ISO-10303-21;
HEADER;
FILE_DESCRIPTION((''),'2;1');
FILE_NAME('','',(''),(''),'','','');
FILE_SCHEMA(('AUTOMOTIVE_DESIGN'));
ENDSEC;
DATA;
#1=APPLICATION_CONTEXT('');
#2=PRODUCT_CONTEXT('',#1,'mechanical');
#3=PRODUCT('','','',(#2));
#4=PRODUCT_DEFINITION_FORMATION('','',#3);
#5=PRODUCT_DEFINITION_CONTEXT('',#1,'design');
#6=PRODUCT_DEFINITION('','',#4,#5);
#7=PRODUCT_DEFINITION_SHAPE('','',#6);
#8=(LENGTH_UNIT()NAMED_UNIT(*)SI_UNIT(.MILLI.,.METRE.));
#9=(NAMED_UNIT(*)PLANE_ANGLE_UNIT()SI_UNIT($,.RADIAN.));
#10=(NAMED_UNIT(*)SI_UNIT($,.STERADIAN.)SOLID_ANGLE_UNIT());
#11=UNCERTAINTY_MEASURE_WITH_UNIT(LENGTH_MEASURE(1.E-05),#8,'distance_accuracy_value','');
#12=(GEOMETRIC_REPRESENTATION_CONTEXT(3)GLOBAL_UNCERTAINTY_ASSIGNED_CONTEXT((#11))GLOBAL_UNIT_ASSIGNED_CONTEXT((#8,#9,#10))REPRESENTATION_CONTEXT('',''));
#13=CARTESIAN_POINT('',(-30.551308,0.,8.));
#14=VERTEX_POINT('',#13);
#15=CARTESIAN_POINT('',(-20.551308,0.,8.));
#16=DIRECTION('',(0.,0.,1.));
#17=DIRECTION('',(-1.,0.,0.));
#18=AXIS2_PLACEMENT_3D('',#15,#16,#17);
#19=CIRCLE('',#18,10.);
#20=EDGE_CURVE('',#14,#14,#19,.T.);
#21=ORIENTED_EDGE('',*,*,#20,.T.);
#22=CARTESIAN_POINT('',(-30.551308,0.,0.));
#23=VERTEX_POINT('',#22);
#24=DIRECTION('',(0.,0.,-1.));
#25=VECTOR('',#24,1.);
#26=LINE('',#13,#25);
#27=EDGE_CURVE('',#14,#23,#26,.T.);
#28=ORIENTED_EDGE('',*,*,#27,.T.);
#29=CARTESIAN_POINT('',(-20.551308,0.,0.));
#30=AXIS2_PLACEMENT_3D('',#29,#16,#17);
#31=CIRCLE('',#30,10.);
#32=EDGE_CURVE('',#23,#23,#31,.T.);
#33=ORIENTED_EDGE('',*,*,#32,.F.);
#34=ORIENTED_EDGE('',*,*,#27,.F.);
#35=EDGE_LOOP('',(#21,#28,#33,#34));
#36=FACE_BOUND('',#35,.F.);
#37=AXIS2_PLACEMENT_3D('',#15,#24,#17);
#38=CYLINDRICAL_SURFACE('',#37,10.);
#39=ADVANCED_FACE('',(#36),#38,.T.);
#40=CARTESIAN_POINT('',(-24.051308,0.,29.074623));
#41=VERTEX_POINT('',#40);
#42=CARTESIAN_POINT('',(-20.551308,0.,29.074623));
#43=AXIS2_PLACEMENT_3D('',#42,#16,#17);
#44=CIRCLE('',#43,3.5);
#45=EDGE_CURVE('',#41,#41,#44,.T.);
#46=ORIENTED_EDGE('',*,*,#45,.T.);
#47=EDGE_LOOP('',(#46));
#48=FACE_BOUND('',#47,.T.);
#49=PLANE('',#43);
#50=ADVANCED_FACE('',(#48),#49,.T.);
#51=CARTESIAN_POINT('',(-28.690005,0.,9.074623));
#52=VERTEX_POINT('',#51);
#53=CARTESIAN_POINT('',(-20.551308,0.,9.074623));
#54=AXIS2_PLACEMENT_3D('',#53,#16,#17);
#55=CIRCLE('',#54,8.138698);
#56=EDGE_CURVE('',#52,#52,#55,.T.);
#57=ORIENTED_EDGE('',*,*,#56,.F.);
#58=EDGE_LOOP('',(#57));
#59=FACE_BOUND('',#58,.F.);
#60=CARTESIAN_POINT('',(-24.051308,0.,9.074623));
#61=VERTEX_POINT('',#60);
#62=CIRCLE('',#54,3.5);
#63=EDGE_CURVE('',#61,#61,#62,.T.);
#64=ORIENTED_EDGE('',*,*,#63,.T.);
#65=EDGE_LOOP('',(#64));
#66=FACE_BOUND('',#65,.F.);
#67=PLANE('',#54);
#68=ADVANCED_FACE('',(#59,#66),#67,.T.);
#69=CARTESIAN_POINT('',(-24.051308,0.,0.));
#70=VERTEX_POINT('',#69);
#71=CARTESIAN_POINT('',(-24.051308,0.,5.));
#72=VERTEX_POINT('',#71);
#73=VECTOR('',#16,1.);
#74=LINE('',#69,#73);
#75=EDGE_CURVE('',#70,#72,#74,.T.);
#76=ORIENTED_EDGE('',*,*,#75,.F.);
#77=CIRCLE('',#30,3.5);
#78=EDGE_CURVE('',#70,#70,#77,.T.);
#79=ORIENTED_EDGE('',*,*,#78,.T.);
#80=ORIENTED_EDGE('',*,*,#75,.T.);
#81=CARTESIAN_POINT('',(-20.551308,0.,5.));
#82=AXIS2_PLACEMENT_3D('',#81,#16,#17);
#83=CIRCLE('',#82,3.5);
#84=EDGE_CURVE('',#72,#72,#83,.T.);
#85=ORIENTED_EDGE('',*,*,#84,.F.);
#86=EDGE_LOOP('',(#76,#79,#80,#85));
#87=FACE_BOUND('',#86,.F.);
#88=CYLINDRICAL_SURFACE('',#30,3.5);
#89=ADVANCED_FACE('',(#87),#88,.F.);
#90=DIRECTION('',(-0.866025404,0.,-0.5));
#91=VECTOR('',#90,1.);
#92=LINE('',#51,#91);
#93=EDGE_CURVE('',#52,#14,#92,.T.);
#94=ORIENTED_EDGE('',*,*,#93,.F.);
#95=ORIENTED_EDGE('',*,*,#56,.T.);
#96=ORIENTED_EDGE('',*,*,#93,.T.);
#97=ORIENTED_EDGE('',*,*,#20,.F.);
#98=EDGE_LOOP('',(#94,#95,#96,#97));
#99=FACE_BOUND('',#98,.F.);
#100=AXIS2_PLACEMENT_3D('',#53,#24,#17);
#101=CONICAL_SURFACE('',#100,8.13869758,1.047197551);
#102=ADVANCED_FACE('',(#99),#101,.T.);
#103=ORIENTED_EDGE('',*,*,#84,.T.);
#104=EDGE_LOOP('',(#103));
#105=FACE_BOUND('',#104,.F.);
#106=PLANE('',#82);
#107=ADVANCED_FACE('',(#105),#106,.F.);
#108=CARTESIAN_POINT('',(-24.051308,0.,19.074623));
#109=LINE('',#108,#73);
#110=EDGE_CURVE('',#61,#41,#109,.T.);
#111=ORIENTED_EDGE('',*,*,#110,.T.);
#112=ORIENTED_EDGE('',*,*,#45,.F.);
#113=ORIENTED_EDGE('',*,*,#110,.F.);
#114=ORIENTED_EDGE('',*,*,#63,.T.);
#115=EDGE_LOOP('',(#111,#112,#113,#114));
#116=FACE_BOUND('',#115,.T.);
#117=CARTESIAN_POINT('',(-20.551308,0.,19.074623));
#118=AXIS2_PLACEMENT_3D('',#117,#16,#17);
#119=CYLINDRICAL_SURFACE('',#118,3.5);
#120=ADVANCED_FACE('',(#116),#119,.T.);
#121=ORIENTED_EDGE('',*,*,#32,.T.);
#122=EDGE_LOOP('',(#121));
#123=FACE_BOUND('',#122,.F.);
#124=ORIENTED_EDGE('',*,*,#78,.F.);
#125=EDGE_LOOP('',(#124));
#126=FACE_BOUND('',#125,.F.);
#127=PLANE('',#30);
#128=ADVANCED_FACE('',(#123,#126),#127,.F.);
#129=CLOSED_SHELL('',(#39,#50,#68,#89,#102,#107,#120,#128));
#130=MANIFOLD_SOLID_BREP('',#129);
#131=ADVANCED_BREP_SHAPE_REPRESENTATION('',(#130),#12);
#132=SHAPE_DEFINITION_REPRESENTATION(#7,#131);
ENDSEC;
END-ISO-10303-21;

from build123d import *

# Parameters (mm, degrees)
F0_W   = 3.5
F0_H   = 20
F0_H_2 = 3
F0_H_3 = 1.0746234533


with BuildPart() as f1:
    # F0 (on Front) → F1 (revolve)
    with BuildSketch(Plane.XZ):
        with Locations((-22.3013077103, 19.0746234533)):
            Rectangle(F0_W, F0_H)
        Polygon((-24.0513077103, 8), (-30.5513077103, 8), (-30.5513077103, 0), (-24.0513077103, 0), (-24.0513077103, 5), align=None)
        Polygon((-28.6900052902, 9.0746234533), (-30.5513077103, 8), (-24.0513077103, 8), (-24.0513077103, 9.0746234533), align=None)
        with Locations((-22.3013077103, 6.5)):
            Rectangle(F0_W, F0_H_2)
        with Locations((-22.3013077103, 8.5373117267)):
            Rectangle(F0_W, F0_H_3)
    revolve(axis=Axis((-20.5513077103, 0, 19.0746234533), (0, 0, 1)))


solid = f1.part
